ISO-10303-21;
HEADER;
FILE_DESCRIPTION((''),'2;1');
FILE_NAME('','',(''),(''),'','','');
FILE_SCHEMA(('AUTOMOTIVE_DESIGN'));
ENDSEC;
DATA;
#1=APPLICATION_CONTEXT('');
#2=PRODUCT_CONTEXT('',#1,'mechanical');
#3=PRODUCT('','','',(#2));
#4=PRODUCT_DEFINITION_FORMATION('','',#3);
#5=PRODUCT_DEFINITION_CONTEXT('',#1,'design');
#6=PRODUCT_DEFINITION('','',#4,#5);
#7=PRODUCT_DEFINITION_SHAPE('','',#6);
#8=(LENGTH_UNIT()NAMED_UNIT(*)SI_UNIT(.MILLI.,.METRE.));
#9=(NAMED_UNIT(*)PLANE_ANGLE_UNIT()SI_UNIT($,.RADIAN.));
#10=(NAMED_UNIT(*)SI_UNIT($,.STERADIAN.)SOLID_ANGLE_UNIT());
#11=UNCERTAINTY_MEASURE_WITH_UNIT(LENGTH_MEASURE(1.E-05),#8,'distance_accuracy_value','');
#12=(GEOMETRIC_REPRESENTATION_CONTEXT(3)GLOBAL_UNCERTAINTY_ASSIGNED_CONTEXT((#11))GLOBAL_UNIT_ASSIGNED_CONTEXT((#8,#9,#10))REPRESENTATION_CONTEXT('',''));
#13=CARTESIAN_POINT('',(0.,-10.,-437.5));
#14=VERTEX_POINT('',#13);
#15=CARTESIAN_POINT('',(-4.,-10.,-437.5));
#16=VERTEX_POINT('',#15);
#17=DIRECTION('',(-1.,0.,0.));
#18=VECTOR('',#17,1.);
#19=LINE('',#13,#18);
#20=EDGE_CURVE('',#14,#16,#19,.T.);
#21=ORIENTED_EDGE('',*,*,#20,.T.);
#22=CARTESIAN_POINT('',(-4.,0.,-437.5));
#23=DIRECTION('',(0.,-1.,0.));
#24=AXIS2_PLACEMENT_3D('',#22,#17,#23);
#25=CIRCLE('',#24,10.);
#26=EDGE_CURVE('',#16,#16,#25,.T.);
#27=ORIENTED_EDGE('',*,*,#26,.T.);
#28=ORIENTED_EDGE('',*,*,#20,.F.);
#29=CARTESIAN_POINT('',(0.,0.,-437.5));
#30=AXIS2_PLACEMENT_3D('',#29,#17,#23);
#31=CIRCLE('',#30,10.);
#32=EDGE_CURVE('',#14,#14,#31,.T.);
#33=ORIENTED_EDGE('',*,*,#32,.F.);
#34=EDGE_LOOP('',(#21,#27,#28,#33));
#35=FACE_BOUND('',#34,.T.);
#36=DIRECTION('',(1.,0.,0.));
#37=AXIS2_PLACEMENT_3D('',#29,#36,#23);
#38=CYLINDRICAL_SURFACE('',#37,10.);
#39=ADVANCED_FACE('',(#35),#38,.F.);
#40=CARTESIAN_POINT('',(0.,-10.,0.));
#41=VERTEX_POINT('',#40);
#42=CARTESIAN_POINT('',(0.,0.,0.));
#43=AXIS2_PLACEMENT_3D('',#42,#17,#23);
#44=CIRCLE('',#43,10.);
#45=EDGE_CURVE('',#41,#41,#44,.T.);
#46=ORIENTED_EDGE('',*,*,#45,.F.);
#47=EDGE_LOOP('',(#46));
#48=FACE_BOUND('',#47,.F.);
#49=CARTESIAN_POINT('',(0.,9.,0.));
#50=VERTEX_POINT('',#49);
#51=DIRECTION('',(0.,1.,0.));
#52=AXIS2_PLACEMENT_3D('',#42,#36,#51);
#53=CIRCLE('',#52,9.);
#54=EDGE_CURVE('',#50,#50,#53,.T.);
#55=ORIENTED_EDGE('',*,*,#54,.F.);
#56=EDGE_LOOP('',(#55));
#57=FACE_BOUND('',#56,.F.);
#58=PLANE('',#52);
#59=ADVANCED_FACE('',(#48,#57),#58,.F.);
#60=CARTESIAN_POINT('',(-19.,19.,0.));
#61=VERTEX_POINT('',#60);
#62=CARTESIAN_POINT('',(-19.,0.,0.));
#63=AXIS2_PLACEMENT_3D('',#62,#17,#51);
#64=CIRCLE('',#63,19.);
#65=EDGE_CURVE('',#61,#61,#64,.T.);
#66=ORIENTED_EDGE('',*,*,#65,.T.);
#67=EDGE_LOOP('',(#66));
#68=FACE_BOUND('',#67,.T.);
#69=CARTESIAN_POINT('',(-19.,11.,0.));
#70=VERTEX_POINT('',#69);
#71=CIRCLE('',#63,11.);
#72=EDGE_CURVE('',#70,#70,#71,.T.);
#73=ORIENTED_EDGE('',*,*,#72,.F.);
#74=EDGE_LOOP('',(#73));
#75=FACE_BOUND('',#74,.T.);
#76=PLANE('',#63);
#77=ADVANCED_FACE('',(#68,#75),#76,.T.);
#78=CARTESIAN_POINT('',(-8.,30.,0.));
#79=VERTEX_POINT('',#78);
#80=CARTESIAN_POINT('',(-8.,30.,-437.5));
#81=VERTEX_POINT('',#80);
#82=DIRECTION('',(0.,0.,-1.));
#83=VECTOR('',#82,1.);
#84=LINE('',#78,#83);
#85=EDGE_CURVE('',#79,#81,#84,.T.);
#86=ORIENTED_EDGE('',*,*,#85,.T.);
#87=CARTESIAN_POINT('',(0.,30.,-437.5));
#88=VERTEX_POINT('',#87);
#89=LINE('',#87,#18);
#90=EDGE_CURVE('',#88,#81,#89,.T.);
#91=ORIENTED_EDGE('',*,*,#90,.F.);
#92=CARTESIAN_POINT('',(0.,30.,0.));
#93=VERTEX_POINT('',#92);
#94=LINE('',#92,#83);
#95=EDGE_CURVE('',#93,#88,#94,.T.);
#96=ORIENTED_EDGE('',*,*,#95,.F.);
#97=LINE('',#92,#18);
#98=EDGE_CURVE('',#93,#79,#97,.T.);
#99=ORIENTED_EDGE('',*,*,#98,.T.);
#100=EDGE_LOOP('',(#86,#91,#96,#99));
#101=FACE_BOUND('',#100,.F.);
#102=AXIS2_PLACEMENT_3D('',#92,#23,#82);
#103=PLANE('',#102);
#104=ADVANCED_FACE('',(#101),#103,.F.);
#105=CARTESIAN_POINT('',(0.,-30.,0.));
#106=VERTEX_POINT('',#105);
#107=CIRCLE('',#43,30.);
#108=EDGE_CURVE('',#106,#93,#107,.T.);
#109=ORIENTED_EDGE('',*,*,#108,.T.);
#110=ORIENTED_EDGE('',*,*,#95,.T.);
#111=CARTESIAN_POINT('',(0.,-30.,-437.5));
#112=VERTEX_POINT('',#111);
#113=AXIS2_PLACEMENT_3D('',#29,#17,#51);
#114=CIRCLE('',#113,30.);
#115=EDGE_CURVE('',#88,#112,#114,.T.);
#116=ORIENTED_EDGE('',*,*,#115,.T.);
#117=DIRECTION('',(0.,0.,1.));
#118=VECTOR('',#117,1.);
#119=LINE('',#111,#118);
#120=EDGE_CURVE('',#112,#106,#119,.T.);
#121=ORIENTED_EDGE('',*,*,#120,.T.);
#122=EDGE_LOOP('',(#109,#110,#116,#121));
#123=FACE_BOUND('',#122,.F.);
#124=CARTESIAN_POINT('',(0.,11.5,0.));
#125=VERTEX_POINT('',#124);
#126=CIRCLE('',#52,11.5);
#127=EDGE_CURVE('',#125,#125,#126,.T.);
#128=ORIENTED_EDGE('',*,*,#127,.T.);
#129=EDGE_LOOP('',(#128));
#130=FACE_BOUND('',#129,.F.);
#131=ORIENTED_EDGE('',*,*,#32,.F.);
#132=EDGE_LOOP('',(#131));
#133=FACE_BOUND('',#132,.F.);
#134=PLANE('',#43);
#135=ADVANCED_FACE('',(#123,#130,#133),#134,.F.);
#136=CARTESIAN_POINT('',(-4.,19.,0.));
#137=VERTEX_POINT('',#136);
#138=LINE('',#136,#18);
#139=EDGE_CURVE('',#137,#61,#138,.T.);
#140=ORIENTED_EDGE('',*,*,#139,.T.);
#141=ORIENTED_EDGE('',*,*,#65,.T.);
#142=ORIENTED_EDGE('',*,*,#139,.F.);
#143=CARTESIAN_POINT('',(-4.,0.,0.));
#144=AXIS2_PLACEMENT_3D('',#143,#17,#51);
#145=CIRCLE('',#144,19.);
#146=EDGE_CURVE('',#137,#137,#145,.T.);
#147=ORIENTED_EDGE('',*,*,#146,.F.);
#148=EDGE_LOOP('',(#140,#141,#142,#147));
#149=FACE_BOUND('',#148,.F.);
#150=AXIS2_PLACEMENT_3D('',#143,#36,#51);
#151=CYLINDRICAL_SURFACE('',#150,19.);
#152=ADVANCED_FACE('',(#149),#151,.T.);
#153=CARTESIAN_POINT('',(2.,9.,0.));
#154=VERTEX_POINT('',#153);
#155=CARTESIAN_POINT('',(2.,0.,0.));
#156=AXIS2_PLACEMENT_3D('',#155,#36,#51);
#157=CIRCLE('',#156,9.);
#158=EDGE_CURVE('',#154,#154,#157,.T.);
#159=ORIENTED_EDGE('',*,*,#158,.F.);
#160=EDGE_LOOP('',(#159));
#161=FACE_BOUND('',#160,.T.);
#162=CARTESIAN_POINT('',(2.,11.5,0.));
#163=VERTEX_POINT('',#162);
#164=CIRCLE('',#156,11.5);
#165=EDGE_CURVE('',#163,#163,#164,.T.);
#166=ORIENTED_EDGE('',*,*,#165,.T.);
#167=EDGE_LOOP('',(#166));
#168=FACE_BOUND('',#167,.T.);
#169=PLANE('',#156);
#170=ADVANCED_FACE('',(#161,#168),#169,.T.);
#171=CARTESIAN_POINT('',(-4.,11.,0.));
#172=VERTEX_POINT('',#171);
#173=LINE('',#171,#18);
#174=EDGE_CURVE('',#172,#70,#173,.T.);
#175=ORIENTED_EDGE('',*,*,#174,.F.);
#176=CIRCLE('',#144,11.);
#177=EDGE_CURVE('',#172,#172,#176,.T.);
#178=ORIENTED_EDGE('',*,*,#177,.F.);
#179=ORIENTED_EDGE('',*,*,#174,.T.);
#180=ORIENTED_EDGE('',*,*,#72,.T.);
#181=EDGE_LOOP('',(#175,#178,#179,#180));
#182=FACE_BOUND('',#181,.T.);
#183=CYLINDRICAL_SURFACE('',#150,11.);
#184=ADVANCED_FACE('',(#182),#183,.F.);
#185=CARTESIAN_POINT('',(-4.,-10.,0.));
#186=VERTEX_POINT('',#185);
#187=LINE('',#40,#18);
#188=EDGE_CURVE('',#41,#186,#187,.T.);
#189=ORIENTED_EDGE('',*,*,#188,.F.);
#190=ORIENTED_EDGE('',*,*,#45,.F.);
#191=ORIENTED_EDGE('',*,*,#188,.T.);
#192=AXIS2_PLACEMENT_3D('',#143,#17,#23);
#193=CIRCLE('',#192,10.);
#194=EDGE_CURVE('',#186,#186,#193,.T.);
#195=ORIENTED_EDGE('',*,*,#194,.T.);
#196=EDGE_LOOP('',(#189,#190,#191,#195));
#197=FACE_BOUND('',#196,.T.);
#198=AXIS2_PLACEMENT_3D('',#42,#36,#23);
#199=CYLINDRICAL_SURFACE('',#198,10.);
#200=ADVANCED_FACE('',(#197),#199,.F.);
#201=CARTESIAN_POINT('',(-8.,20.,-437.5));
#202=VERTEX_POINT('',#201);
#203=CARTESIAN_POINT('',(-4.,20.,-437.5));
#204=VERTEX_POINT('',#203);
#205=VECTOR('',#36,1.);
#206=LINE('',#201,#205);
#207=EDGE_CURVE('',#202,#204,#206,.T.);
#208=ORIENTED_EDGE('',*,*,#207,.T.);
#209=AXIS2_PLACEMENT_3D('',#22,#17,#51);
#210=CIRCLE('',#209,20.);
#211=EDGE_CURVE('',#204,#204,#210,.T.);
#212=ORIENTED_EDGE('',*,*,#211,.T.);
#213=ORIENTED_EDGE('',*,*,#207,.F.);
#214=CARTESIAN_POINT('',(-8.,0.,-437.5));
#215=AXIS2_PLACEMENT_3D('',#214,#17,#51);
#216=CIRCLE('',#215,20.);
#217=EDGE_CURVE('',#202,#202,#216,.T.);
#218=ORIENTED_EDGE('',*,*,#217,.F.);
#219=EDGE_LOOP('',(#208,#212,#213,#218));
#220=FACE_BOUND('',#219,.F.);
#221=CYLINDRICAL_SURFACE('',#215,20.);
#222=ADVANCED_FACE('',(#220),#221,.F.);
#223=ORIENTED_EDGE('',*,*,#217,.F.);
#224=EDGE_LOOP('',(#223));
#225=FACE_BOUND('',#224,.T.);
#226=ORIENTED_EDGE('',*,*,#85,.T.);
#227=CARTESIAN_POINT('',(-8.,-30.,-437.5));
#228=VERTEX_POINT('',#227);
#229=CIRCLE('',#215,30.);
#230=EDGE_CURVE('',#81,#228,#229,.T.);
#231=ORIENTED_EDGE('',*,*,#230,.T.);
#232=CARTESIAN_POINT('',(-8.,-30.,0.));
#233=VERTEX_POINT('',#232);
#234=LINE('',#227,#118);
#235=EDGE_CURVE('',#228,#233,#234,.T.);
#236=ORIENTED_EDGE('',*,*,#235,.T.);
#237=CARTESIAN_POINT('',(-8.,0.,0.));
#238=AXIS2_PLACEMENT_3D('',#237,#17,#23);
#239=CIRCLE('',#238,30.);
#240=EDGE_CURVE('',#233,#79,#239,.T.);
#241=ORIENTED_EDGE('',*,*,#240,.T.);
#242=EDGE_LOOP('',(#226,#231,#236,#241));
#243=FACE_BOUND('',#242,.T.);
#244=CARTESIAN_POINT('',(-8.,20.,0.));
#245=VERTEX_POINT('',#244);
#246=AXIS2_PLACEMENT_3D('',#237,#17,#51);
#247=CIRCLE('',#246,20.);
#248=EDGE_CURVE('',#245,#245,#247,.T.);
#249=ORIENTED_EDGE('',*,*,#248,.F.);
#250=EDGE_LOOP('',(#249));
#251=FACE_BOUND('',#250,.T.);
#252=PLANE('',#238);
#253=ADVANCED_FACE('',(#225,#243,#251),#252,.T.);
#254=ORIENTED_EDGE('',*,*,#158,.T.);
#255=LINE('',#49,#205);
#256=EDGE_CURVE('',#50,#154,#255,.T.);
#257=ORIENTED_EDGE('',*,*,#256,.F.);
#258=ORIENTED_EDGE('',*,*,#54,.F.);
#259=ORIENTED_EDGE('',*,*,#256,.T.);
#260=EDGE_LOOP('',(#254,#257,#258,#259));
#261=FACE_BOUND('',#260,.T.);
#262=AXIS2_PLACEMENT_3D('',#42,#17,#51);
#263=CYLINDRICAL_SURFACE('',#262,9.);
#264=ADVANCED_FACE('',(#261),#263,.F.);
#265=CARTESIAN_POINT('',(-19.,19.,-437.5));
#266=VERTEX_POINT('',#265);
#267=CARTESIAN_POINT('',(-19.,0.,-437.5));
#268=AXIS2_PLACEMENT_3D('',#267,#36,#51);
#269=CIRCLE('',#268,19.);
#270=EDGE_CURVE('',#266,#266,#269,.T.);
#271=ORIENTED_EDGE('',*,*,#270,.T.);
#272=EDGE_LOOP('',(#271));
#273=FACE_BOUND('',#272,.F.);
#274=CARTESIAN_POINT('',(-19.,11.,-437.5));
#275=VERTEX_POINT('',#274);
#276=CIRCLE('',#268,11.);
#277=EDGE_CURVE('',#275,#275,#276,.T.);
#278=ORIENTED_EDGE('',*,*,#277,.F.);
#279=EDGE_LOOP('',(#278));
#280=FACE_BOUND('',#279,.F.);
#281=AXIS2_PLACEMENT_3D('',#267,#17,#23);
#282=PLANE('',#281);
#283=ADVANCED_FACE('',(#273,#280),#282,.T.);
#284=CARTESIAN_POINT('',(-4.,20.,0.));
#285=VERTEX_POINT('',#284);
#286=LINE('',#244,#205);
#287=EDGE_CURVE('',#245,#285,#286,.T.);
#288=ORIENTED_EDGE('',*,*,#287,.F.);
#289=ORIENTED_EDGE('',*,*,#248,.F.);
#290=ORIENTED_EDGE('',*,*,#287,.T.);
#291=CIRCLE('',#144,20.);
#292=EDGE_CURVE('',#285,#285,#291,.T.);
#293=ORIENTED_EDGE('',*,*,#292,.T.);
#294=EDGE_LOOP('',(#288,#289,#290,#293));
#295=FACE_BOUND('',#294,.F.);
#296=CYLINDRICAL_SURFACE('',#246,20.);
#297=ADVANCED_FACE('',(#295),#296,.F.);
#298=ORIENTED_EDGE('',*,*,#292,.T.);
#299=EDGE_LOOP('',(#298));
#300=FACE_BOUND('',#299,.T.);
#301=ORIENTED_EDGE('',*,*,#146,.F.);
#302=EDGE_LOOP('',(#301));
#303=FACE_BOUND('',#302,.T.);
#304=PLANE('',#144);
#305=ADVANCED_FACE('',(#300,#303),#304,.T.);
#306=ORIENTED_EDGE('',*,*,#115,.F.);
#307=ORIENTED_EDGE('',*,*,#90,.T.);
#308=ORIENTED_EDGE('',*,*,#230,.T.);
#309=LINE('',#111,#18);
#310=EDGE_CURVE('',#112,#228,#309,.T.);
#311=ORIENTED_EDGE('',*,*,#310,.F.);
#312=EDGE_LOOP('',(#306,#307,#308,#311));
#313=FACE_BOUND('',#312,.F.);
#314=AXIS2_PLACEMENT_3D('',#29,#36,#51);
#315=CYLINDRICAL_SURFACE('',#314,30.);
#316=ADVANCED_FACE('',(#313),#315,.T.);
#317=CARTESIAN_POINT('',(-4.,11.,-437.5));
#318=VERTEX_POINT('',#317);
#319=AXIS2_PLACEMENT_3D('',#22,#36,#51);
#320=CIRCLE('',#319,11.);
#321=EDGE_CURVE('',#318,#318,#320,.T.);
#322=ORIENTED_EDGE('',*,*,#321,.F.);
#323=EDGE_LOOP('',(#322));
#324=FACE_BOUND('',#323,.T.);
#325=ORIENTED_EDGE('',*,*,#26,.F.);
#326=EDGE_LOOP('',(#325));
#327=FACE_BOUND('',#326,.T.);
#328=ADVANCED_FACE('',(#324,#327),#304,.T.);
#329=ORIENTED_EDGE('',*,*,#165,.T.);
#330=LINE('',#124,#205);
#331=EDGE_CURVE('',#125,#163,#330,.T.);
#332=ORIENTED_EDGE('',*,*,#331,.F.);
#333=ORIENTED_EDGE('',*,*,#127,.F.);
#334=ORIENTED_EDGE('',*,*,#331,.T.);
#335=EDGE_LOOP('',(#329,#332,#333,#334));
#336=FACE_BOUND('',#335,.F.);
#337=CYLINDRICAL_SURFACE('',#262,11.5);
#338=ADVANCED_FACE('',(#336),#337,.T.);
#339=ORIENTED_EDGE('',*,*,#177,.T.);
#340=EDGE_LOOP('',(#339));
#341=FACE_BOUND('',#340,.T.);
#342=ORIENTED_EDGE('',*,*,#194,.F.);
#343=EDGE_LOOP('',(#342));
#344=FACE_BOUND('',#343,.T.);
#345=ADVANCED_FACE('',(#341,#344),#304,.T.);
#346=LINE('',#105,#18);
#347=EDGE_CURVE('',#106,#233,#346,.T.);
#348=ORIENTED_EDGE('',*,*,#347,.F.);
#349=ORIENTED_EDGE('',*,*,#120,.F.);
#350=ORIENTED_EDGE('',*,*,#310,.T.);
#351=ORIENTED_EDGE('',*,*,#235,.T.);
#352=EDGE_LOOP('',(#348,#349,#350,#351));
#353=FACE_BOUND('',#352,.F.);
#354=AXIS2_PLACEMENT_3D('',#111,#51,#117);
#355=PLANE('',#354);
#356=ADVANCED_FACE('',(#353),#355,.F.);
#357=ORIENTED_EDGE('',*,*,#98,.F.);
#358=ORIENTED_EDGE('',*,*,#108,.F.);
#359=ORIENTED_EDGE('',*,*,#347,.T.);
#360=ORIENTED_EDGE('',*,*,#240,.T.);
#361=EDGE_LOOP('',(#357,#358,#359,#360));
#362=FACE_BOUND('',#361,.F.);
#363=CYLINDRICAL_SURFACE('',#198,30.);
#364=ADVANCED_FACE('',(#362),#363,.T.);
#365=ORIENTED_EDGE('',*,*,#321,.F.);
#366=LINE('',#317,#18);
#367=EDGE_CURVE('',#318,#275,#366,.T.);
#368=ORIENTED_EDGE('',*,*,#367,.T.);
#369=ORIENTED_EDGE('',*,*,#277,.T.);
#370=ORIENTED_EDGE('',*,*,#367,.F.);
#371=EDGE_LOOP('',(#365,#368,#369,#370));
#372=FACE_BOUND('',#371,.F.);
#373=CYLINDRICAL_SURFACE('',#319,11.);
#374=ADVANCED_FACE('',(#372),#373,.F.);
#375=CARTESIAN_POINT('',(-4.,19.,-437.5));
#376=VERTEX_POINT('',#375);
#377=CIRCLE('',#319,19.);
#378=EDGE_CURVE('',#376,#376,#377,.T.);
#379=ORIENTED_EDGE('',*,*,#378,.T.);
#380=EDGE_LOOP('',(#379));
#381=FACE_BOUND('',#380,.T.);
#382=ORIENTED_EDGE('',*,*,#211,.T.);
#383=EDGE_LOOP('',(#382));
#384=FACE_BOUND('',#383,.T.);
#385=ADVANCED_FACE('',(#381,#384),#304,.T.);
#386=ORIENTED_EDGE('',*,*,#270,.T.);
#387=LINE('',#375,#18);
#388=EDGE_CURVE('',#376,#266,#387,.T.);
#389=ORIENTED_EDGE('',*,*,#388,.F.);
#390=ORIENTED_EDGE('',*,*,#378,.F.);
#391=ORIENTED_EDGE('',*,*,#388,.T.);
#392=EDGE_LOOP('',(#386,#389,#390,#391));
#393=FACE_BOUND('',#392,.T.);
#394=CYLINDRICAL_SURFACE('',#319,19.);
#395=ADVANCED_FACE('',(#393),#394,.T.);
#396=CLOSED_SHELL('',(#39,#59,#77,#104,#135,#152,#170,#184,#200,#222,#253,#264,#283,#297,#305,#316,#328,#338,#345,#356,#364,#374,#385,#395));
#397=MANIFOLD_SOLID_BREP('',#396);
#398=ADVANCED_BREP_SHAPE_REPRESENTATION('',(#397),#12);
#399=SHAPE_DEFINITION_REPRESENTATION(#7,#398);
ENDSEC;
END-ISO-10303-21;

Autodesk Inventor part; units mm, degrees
ref_plane "YZ Plane" through (0, 0, 0) normal (1, 0, 0) x (0, 1, 0)
ref_plane "XZ Plane" through (0, 0, 0) normal (0, 1, 0) x (-1, 0, 0)
sketch "Sketch1" plane through (0, 0, 0) normal (0, 1, 0) x (-1, 0, 0)
  circle A0 centre (0, 0) radius 10
  line L0 (0, 0) -> (0, -437.5) construction
  line L1 (-30, 0) -> (-30, -437.5)
  line L2 (30, -437.5) -> (30, 0)
  arc A1 (30, 0) -> (-30, 0) centre (0, 0) ccw
  arc A2 (-30, -437.5) -> (30, -437.5) centre (0, -437.5) ccw
  circle A3 centre (0, -437.5) radius 10
  point P0 (0, -218.75)
  dimension "d0" = 20
  dimension "d1" = 437.5
  dimension "d2" = 20
  dimension "d3" = 30
extrude "Extrusion1" add sketch "Sketch1" along normal blind 8
sketch "Sketch2" plane through (0, 8, 0) normal (0, 1, 0) x (1, 0, 0)
  circle A0 centre (0, 0) radius 20
  circle A1 centre (0, 437.5) radius 10 projected
  circle A2 centre (0, 437.5) radius 10 projected
  circle A3 centre (0, 437.5) radius 20
  circle A4 centre (0, 0) radius 10 projected
  dimension "d6" = 40
extrude "Extrusion2" cut sketch "Sketch2" against normal blind 4
sketch "Sketch3" plane through (0, 0, 0) normal (0, -1, 0) x (1, 0, 0)
  circle A0 centre (0, 0) radius 9 projected
  circle A1 centre (0, 0) radius 11.5
  point P0 (0, 0)
  dimension "d9" = 23
extrude "Extrusion3" add sketch "Sketch3" along normal blind 2
sketch "Sketch4" plane through (0, 4, 0) normal (0, 1, 0) x (1, 0, 0)
  circle A0 centre (0, 0) radius 20 projected
  circle A1 centre (0, 0) radius 10 projected
  circle A2 centre (0, 437.5) radius 20 projected
  circle A3 centre (0, 437.5) radius 10 projected
  circle A4 centre (0, 0) radius 19
  circle A5 centre (0, 0) radius 11
  dimension "d12" = 38
  dimension "d13" = 22
extrude "Extrusion4" add sketch "Sketch4" along normal blind 15 contours A4
ref_plane "Work Plane1" through (0, 0, -218.75) normal (0, 0, 1) x (1, 0, 0)
mirror "Mirror1" about plane through (0, 0, -218.75) normal (0, 0, 1) of "Extrusion4"
move or copy body "Move Body1" bodies to move or copy 1 copy no rotation origin (0, 0, 0) rotation axis (0, 0, 1) rotation angle 90
properties part number "connecting rod" material "Steel, Mild"
